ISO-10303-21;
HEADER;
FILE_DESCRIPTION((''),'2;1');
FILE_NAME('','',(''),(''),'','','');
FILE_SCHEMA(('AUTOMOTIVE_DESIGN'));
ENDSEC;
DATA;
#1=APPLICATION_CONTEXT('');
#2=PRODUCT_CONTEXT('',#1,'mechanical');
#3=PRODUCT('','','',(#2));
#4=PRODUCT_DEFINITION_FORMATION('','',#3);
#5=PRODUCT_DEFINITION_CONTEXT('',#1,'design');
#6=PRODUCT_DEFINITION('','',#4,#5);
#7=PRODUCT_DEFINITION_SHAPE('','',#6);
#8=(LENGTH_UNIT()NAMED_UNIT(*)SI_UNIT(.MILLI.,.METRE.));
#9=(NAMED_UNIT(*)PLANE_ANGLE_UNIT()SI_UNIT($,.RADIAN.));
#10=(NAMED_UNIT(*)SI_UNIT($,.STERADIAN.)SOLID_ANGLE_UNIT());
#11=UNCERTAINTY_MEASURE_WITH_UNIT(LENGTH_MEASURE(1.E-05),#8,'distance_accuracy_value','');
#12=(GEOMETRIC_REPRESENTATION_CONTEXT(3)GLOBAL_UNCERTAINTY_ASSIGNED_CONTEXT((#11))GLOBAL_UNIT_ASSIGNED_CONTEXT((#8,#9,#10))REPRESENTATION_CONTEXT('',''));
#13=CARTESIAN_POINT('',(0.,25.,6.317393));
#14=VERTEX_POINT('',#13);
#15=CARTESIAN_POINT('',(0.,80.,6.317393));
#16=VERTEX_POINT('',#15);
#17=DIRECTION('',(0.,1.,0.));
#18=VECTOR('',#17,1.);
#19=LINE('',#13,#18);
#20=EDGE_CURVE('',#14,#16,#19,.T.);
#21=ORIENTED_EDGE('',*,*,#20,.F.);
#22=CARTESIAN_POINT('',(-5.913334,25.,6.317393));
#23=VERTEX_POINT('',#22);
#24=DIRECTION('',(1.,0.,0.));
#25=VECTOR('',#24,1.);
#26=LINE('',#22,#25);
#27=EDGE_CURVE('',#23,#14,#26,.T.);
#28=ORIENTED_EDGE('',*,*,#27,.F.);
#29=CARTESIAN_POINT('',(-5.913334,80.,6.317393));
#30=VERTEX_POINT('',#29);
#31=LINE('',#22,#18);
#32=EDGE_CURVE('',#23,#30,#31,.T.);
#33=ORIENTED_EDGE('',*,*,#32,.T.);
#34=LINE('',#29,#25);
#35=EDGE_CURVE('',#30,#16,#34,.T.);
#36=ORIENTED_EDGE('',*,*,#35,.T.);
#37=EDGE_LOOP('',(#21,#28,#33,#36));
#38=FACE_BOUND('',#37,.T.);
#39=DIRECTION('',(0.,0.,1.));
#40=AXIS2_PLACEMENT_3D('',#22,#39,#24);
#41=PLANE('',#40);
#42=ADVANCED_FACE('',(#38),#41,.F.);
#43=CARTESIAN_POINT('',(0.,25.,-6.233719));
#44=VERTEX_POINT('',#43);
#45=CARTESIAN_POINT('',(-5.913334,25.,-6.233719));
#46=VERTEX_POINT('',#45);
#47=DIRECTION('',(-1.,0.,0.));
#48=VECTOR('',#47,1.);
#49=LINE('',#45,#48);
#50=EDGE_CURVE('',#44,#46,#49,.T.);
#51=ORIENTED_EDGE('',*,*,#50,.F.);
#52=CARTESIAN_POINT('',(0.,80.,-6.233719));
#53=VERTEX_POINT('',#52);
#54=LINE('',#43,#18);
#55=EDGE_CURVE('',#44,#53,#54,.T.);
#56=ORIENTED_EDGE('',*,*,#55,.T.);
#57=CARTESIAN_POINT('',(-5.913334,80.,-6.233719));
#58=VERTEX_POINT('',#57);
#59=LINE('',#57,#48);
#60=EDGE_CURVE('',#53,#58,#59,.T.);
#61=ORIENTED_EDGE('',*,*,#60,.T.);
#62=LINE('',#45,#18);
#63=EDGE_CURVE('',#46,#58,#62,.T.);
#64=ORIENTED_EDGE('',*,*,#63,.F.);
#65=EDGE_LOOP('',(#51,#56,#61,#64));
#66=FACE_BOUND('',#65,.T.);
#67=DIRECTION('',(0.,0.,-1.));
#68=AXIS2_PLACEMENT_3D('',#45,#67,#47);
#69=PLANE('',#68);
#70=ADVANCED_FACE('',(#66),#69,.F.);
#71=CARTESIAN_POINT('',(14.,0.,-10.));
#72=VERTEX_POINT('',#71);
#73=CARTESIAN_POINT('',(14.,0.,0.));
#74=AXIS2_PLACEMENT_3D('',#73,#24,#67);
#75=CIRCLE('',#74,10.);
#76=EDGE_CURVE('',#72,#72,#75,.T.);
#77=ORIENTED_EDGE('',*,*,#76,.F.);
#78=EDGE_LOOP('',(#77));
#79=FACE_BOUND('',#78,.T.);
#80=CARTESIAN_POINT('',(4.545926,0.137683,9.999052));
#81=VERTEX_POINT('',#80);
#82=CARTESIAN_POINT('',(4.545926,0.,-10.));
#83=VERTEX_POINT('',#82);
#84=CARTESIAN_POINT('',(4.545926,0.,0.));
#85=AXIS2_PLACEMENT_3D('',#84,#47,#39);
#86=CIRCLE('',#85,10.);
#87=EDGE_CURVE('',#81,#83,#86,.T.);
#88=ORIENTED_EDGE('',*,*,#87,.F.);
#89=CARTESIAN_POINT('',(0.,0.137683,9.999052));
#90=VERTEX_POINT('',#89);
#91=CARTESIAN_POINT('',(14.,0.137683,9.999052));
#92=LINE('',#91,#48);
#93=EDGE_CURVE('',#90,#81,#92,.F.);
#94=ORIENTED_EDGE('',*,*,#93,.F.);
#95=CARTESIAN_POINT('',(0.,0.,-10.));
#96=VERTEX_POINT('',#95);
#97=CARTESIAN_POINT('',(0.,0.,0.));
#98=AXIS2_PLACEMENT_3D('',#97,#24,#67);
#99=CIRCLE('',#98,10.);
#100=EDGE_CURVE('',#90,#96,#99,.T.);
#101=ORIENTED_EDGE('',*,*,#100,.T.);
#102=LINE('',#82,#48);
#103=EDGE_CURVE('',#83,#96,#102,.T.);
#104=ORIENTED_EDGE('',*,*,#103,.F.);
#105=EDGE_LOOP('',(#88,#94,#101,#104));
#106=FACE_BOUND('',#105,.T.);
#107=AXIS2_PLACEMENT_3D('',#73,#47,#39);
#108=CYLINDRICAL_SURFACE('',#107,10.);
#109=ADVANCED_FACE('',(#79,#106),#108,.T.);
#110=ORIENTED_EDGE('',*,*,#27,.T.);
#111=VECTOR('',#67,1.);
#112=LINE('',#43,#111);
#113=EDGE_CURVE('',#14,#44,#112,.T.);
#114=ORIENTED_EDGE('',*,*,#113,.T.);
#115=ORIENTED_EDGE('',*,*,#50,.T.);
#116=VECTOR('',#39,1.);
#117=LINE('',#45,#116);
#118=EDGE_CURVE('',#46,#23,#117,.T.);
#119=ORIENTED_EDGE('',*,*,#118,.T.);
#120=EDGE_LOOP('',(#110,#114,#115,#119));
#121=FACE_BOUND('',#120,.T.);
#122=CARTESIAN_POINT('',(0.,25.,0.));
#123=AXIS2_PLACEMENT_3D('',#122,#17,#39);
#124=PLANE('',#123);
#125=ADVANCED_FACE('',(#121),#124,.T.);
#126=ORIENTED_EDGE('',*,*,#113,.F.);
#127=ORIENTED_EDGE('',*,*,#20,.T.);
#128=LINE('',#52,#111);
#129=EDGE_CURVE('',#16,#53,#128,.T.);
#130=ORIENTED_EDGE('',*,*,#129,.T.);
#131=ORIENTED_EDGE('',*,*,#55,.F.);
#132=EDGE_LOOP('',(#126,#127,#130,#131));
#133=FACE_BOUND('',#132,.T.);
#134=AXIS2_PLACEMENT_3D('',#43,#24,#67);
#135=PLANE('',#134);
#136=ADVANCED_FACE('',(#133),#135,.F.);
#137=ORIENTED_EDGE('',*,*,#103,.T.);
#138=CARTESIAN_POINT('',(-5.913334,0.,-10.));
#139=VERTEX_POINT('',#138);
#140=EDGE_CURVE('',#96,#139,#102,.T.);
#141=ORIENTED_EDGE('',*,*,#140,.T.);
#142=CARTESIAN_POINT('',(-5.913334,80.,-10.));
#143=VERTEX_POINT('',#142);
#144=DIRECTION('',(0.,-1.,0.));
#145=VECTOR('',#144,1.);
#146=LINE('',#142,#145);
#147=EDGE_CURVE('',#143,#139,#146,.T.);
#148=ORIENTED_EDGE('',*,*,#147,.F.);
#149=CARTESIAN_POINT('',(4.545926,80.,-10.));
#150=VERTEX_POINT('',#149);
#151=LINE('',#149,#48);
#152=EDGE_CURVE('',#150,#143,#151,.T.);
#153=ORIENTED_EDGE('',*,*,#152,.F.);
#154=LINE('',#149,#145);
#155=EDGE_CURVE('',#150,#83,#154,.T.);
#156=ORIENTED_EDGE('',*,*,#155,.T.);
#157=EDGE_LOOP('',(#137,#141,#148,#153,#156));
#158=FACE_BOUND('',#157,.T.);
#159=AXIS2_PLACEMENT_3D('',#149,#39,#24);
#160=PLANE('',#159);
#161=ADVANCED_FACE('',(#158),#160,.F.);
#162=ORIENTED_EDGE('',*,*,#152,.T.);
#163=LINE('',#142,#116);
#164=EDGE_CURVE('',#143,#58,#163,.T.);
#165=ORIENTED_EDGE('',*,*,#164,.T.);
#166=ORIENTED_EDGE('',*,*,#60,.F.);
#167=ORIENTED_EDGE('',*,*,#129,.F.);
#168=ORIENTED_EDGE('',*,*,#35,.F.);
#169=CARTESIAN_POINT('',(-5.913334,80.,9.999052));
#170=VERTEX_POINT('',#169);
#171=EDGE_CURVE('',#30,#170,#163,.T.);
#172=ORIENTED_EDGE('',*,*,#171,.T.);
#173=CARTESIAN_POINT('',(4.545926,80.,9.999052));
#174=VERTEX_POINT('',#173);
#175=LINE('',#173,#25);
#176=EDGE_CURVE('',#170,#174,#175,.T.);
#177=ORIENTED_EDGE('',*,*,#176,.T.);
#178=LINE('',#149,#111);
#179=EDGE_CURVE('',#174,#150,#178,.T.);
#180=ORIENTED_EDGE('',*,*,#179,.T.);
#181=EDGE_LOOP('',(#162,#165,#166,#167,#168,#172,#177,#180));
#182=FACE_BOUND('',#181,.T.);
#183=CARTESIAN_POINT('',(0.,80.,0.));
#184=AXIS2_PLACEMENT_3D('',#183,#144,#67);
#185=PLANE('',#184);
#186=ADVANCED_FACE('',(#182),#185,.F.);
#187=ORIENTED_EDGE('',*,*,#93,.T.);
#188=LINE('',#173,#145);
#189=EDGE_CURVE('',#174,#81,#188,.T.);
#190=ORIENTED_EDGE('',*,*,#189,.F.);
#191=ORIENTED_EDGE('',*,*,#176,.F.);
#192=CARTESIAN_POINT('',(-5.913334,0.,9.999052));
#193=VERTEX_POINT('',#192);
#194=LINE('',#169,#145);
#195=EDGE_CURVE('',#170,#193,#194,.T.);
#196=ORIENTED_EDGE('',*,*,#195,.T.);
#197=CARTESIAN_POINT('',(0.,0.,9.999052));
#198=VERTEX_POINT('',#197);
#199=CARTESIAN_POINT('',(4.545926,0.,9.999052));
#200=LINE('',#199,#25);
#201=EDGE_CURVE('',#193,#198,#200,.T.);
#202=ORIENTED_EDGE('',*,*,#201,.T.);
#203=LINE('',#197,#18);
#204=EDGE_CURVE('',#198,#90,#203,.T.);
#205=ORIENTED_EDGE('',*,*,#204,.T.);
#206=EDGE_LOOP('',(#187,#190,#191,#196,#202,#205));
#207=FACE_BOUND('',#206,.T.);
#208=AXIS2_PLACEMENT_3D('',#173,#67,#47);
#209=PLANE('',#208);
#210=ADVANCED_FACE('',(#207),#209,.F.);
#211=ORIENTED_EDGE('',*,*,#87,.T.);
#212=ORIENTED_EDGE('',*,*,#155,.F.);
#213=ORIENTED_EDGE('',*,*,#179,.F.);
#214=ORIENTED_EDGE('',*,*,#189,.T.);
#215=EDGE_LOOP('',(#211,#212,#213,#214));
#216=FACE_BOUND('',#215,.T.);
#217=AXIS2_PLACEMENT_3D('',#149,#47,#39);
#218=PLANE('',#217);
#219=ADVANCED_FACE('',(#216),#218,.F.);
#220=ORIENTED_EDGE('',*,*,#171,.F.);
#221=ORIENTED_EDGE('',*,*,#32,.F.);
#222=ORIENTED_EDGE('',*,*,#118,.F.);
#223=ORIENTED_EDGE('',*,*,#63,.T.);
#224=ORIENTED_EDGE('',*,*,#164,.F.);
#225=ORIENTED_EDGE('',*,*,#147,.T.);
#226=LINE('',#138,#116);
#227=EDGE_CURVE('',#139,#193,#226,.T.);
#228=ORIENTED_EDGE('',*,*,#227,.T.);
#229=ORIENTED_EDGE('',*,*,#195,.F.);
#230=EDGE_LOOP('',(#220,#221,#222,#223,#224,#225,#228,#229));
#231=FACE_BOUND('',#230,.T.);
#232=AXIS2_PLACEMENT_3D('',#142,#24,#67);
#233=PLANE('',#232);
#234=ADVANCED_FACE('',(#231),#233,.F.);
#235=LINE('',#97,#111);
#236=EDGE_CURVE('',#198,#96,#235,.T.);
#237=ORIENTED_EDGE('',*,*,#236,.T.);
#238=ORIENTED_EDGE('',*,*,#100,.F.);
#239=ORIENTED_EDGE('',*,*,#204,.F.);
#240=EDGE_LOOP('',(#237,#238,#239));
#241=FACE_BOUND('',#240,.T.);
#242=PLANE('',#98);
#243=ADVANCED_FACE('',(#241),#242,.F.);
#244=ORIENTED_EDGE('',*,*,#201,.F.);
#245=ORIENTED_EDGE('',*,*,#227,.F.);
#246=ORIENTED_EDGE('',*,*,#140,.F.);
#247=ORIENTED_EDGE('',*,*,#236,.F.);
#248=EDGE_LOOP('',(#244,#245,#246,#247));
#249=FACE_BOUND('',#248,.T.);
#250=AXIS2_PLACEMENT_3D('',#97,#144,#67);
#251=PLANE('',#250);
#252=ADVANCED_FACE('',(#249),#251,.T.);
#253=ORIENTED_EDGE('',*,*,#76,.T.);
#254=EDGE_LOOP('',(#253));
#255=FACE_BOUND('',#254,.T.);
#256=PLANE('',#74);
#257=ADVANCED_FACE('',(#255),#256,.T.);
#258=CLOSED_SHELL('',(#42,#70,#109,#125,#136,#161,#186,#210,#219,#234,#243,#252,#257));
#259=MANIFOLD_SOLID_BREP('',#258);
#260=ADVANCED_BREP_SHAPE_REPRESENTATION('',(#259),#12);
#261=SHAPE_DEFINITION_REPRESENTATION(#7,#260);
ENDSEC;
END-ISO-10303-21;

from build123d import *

# Parameters (mm, degrees)
SKETCH1_R           = 10
BOSS_EXTRUDE7_DEPTH = 14
SKETCH7_W           = 10.45925955
SKETCH7_H           = 19.99905213
BOSS_EXTRUDE9_DEPTH = 80
SKETCH8_W           = 5.913333595
SKETCH8_H           = 12.55111146
CUT_EXTRUDE3_DEPTH  = 55


with BuildPart() as part:
    # Sketch1 → Boss-Extrude7 (new body)
    with BuildSketch(Plane(origin=(0, 0, 0), x_dir=(0, 0, -1), z_dir=(1, 0, 0))):
        Circle(SKETCH1_R)
    extrude(amount=BOSS_EXTRUDE7_DEPTH)

    # Sketch7 → Boss-Extrude9 (add)
    with BuildSketch(Plane(origin=(0, 0, 0), x_dir=(1, 0, 0), z_dir=(0, 1, 0))):
        with Locations((-0.68370382, 0.000473935)):
            Rectangle(SKETCH7_W, SKETCH7_H)
    extrude(amount=BOSS_EXTRUDE9_DEPTH)

    # Sketch8 → Cut-Extrude3 (cut)
    with BuildSketch(Plane(origin=(0, 80, 0), x_dir=(1, 0, 0), z_dir=(0, 1, 0))):
        with Locations((-2.956666798, -0.041837038)):
            Rectangle(SKETCH8_W, SKETCH8_H)
    extrude(amount=-CUT_EXTRUDE3_DEPTH, mode=Mode.SUBTRACT)


solid = part.part
